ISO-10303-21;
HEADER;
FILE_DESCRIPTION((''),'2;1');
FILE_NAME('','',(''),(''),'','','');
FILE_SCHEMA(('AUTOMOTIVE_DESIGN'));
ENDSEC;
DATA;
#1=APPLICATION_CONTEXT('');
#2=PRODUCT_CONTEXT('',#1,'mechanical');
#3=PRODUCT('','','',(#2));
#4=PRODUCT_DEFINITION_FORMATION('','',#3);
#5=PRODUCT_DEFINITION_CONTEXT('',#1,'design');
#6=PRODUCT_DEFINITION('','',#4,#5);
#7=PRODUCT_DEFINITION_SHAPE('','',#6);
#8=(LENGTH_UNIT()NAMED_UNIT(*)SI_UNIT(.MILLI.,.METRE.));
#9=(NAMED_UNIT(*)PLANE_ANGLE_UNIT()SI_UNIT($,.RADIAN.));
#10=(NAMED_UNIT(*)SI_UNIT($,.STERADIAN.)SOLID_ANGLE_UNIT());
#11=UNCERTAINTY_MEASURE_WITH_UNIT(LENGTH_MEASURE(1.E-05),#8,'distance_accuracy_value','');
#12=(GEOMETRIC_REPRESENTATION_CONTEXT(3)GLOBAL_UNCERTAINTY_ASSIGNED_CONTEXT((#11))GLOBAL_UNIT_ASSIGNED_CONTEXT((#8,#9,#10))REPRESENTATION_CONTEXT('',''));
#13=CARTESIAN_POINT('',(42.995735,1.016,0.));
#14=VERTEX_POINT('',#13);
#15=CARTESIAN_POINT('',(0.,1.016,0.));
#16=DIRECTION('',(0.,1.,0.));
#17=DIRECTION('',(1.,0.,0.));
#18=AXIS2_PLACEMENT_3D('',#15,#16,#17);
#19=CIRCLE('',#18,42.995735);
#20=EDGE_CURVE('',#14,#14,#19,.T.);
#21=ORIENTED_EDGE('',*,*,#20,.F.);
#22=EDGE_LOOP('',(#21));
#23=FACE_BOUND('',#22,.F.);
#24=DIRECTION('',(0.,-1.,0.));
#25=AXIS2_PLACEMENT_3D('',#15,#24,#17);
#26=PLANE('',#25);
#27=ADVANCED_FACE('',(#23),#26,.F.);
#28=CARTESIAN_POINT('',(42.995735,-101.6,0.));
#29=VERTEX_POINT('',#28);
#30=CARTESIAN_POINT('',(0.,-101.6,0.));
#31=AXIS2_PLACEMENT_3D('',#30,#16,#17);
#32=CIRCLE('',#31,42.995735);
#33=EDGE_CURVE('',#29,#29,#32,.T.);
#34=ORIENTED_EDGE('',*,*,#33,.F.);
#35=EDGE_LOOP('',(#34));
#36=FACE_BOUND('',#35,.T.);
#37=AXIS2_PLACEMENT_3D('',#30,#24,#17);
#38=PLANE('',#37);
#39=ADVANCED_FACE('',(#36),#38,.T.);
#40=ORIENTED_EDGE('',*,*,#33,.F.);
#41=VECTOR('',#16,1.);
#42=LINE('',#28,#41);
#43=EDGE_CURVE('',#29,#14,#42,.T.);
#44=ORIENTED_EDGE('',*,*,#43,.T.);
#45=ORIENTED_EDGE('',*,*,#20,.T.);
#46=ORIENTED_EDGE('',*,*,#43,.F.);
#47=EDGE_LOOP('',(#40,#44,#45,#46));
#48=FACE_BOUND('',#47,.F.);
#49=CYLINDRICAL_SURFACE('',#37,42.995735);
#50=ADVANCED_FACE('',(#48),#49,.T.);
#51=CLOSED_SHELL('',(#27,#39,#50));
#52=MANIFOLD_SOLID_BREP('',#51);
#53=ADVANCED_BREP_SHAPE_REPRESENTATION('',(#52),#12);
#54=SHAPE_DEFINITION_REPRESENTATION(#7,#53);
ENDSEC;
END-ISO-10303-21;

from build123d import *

# Parameters (mm, degrees)
F0_R     = 37.6711050017
F1_DEPTH = 101.6
F1_TAPER = -3
F2_DEPTH = 102.616


with BuildPart() as f1:
    # F0 (on Front) → F1 (new body)
    with BuildSketch(Plane.XZ):
        Circle(F0_R)
    extrude(amount=F1_DEPTH, taper=F1_TAPER)

    # F2 (add): a face of the model
    f2_faces = [f1.faces().sort_by_distance(p)[0] for p in [
        (0, -101.6, 0),
    ]]
    extrude(f2_faces, amount=-F2_DEPTH)


solid = f1.part
